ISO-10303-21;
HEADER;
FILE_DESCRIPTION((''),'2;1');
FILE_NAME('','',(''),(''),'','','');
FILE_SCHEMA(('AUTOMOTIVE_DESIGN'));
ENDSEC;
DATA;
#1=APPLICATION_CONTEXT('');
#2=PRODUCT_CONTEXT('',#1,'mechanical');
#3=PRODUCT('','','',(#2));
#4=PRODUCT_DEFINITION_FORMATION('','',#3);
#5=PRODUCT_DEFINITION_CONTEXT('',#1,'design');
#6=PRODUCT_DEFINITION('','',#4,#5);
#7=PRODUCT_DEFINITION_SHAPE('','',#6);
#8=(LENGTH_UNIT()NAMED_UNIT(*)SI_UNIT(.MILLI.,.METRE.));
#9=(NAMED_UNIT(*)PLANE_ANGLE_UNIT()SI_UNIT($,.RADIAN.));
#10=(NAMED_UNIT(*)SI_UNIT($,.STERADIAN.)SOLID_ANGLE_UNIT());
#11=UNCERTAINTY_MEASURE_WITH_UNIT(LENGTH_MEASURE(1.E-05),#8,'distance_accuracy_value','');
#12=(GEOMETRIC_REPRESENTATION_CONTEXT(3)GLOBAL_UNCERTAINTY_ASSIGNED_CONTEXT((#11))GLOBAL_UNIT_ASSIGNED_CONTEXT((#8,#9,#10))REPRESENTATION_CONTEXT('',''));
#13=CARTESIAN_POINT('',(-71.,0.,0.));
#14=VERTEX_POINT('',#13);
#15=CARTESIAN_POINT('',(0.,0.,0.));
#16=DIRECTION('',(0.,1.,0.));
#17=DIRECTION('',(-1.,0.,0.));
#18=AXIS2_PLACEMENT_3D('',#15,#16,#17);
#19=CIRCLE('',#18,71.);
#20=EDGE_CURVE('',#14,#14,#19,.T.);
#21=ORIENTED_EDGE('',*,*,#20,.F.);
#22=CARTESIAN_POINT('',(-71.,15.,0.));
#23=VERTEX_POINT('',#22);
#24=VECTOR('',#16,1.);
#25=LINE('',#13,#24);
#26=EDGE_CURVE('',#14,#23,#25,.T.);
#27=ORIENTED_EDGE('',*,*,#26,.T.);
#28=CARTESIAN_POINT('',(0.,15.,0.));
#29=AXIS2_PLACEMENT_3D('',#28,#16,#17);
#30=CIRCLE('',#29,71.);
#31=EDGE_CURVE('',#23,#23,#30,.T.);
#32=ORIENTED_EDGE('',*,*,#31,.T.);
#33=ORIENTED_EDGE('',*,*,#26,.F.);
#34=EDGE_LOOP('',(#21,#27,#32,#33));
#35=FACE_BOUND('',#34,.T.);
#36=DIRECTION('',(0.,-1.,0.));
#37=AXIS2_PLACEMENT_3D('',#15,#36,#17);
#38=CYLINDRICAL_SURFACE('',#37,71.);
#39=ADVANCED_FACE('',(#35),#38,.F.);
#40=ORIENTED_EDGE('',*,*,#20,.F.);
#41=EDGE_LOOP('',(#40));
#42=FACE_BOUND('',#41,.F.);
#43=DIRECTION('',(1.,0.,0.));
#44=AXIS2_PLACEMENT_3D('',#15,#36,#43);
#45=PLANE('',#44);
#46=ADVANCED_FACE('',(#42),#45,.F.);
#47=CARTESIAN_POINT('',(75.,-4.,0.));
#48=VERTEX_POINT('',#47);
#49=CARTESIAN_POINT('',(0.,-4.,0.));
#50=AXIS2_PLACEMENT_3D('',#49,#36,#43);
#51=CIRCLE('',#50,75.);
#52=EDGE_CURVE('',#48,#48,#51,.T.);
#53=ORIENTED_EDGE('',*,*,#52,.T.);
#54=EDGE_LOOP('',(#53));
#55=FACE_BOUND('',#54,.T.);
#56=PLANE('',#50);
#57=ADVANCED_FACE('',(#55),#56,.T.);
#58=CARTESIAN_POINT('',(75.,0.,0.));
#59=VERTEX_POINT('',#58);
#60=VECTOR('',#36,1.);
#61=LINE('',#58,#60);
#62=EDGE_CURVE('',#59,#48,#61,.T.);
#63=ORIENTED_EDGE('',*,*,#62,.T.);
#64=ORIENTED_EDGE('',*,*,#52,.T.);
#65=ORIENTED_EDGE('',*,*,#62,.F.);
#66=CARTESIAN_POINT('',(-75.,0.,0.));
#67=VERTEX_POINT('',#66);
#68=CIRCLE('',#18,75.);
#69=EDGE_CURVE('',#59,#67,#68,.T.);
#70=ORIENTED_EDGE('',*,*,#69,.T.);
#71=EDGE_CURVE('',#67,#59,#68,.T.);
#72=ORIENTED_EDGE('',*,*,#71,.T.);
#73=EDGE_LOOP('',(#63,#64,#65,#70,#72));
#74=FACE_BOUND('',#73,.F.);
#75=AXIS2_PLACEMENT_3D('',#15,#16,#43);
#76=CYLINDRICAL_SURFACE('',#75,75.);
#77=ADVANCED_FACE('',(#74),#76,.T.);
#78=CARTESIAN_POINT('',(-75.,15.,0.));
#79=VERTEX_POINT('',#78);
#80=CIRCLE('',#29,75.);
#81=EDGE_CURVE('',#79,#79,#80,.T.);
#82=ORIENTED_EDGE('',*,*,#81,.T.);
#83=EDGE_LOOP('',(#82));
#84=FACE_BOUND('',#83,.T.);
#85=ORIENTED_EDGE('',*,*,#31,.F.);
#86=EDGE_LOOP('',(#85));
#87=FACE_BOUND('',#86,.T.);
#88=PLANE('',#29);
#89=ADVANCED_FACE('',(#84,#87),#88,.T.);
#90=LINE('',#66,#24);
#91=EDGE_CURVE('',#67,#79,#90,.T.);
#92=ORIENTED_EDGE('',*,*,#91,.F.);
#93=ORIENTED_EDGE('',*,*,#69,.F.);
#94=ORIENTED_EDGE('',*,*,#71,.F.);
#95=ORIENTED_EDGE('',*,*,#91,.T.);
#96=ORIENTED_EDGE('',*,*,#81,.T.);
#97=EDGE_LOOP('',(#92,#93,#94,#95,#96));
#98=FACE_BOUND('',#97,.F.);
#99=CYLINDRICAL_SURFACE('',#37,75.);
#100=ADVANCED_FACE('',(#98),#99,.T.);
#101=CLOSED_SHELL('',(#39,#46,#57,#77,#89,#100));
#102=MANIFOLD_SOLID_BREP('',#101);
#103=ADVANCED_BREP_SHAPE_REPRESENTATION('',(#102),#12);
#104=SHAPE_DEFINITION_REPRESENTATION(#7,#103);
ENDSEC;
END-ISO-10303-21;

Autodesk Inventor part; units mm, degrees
ref_plane "YZ Plane" through (0, 0, 0) normal (1, 0, 0) x (0, 1, 0)
ref_plane "XZ Plane" through (0, 0, 0) normal (0, 1, 0) x (-1, 0, 0)
ref_plane "XY Plane" through (0, 0, 0) normal (0, 0, 1) x (1, 0, 0)
sketch "Sketch1" plane through (0, 0, 0) normal (0, 1, 0) x (-1, 0, 0)
  circle A0 centre (0, 0) radius 75
  circle A1 centre (0, 0) radius 71
  dimension "d0" = 150
  dimension "d1" = 4
extrude "Extrusion1" add sketch "Sketch1" along normal blind 15
sketch "Sketch2" plane through (0, 0, 0) normal (0, -1, 0) x (1, 0, 0)
  circle A0 centre (0, 0) radius 75 projected
  circle A1 centre (0, 0) radius 75
extrude "Extrusion2" add sketch "Sketch2" along normal blind 4
properties part number "RoundPetri"
